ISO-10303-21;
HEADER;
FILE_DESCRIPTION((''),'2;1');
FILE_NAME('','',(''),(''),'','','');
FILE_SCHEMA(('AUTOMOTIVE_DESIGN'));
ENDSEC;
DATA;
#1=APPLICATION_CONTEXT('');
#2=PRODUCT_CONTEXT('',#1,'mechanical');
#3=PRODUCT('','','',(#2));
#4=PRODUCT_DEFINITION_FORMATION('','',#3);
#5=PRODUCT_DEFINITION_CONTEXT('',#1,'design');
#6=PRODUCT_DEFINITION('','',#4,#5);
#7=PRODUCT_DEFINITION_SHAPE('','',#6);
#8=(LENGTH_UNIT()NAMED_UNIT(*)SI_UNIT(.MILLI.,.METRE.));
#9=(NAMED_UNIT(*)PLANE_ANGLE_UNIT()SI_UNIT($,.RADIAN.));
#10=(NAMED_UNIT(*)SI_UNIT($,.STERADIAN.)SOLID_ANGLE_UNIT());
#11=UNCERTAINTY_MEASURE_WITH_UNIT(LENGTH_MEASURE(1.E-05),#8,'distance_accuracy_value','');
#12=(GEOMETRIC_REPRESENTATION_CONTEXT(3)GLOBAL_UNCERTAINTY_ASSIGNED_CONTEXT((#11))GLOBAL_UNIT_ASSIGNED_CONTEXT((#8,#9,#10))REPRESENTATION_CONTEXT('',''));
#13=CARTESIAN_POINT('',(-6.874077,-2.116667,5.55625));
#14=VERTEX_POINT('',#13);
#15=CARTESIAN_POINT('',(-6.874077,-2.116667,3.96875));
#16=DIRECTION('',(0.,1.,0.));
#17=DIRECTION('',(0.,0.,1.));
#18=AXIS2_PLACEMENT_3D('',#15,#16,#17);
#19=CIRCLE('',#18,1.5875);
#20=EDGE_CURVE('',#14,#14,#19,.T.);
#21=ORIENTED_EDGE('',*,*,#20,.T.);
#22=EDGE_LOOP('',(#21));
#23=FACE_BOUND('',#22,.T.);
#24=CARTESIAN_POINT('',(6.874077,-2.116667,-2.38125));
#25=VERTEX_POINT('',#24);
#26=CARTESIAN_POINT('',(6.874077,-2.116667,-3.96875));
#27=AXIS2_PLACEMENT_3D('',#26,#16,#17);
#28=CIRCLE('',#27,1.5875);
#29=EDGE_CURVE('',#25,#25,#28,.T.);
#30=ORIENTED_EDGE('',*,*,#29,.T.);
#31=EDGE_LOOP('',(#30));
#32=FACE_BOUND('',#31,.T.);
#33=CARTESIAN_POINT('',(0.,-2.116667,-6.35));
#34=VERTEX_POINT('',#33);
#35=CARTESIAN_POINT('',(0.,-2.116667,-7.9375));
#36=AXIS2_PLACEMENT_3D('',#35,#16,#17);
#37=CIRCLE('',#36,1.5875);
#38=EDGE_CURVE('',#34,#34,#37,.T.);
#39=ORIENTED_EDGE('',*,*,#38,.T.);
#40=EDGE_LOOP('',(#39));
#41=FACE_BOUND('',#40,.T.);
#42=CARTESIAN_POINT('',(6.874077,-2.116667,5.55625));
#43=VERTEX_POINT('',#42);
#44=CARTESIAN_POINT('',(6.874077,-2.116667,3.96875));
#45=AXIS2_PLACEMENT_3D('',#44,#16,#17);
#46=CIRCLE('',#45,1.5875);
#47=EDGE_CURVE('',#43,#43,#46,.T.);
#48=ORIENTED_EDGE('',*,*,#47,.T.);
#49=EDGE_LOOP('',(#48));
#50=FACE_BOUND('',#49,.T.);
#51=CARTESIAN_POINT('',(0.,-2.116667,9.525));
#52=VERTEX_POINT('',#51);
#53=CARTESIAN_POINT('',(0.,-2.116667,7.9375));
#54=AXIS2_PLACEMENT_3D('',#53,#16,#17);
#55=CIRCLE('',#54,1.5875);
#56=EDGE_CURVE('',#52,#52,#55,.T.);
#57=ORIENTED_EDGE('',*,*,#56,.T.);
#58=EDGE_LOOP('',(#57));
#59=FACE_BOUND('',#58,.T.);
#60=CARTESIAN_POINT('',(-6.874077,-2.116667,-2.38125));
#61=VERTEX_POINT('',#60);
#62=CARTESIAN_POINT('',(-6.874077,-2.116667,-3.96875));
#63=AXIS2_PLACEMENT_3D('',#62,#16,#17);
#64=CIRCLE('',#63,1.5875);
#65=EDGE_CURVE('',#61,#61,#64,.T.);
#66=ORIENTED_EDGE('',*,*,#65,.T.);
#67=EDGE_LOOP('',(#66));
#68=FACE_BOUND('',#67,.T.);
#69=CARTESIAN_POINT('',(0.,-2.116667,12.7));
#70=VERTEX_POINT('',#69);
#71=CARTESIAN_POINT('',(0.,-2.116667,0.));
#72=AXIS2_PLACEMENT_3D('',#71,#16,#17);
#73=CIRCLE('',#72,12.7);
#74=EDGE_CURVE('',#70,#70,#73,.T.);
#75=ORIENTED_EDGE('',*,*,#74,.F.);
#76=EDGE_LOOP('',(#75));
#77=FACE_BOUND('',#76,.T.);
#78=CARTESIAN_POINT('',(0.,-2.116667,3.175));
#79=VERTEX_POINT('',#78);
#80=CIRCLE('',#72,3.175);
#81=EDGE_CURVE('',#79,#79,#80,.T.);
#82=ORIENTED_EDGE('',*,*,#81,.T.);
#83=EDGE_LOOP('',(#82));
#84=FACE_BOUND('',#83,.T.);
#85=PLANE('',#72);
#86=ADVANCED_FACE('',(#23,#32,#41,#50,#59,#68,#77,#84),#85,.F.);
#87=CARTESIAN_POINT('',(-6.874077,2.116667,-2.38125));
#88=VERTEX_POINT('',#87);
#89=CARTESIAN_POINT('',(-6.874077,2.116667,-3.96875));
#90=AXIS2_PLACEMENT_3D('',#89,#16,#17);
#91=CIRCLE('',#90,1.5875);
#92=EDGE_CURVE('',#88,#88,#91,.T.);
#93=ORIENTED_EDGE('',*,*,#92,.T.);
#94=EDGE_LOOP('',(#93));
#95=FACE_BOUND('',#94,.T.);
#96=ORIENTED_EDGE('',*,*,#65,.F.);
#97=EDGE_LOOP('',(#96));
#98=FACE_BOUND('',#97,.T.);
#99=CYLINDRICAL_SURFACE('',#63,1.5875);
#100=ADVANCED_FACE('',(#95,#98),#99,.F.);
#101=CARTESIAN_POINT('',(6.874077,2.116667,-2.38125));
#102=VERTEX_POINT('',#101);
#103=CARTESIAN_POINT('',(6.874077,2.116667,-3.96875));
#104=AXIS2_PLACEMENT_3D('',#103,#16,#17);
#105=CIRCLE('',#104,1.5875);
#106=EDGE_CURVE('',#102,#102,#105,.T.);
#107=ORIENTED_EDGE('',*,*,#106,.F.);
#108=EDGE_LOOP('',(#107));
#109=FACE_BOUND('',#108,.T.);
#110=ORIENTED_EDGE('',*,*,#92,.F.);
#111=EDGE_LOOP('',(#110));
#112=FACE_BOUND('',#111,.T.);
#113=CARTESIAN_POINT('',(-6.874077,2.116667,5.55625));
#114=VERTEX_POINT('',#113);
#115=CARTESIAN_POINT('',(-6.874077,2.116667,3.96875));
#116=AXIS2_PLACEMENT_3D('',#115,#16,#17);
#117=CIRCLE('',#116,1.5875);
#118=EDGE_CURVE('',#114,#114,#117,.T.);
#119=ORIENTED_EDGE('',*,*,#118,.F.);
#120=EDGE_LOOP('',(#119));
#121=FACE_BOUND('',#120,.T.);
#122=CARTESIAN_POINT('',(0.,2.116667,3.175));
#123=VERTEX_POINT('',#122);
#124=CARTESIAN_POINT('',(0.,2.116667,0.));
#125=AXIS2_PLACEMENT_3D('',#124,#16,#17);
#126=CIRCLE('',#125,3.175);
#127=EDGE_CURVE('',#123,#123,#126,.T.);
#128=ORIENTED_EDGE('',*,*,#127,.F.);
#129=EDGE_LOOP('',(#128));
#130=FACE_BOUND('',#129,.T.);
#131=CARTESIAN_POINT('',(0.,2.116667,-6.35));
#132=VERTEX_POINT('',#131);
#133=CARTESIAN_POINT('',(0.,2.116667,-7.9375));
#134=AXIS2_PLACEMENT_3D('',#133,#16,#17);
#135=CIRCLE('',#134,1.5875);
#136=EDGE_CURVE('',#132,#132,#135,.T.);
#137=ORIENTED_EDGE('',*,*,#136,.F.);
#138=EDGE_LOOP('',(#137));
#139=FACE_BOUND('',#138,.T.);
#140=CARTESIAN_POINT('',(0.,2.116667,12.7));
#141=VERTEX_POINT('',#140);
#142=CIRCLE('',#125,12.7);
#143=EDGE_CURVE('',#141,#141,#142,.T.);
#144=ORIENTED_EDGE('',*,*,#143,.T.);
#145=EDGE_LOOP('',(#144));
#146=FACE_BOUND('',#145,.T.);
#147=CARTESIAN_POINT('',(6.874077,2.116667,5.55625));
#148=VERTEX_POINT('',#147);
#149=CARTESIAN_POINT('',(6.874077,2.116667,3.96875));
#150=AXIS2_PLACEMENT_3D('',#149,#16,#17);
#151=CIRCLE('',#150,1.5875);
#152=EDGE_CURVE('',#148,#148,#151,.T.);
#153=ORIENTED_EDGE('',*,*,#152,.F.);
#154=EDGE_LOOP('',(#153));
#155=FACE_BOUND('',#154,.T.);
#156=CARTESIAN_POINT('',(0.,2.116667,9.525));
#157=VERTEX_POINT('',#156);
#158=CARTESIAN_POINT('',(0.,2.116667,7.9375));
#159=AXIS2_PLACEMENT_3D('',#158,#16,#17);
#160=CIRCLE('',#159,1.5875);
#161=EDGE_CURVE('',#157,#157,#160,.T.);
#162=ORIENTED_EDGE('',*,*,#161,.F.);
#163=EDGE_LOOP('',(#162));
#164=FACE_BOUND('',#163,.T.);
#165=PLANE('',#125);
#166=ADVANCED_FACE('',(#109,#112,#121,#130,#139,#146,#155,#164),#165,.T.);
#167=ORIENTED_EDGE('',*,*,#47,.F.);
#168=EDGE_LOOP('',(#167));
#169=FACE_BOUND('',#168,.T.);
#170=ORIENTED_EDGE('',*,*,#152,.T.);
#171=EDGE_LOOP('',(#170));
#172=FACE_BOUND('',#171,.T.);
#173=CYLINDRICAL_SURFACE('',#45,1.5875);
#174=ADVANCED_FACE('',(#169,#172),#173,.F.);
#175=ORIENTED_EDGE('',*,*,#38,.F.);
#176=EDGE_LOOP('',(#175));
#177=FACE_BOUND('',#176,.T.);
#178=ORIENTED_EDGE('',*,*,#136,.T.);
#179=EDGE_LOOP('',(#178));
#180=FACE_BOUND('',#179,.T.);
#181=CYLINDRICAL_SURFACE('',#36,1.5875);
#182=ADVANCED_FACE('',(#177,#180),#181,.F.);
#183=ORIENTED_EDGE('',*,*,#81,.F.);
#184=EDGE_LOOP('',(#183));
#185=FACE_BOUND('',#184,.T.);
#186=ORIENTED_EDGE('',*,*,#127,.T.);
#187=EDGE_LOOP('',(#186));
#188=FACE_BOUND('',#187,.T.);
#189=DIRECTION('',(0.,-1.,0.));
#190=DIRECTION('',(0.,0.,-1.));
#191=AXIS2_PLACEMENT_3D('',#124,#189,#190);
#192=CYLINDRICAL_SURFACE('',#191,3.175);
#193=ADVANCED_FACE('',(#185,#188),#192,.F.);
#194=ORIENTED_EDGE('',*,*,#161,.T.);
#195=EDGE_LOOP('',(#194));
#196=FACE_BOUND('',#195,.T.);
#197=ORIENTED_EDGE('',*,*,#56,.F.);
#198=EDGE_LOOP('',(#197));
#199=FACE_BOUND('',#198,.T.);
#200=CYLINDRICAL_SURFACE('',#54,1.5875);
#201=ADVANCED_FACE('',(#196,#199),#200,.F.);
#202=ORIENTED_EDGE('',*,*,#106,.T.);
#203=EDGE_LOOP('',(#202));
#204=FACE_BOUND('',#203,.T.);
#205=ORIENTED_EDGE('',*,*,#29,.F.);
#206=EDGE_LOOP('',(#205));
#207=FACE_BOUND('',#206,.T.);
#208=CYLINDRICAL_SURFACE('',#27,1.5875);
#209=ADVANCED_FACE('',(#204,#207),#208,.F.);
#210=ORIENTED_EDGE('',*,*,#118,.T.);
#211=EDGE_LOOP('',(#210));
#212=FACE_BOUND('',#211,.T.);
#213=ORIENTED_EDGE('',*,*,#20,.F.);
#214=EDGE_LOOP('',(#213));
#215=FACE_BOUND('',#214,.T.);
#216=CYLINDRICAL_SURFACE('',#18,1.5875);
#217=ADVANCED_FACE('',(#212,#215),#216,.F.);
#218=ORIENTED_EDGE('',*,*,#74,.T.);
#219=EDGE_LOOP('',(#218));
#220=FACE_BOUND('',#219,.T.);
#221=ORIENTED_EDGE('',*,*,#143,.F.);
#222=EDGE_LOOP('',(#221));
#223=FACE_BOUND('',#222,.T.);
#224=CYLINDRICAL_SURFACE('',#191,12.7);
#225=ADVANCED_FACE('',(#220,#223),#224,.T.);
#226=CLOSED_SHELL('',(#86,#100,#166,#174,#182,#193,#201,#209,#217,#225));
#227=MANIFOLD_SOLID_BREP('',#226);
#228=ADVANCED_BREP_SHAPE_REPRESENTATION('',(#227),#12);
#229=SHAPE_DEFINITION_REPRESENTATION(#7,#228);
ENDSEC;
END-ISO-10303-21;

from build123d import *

# Parameters (mm, degrees)
SKETCH1_R               = 12.7
SKETCH1_R_2             = 3.175
BOSS_EXTRUDE1_DEPTH     = 2.116666667
SKETCH2_R               = 1.5875
CUT_EXTRUDE1_DEPTH      = 3.116666667
CUT_EXTRUDE1_DEPTH_BACK = 3.116666667


with BuildPart() as part:
    # Sketch1 → Boss-Extrude1 (new body, symmetric)
    with BuildSketch(Plane(origin=(0, 0, 0), x_dir=(1, 0, 0), z_dir=(0, 1, 0))):
        Circle(SKETCH1_R)
        Circle(SKETCH1_R_2, mode=Mode.SUBTRACT)
    extrude(amount=BOSS_EXTRUDE1_DEPTH, both=True)

    # Sketch2 → Cut-Extrude1 (cut, two sides)
    with BuildSketch(Plane(origin=(0, 0, 0), x_dir=(1, 0, 0), z_dir=(0, 1, 0))) as cut_extrude1_sk:
        with Locations((0, 7.9375)):
            Circle(SKETCH2_R)
        with Locations((6.874076643, 3.96875)):
            Circle(SKETCH2_R)
        with Locations((6.874076643, -3.96875)):
            Circle(SKETCH2_R)
        with Locations((0, -7.9375)):
            Circle(SKETCH2_R)
        with Locations((-6.874076643, -3.96875)):
            Circle(SKETCH2_R)
        with Locations((-6.874076643, 3.96875)):
            Circle(SKETCH2_R)
    extrude(amount=CUT_EXTRUDE1_DEPTH, mode=Mode.SUBTRACT)
    extrude(cut_extrude1_sk.sketch, amount=-CUT_EXTRUDE1_DEPTH_BACK, mode=Mode.SUBTRACT)


solid = part.part
